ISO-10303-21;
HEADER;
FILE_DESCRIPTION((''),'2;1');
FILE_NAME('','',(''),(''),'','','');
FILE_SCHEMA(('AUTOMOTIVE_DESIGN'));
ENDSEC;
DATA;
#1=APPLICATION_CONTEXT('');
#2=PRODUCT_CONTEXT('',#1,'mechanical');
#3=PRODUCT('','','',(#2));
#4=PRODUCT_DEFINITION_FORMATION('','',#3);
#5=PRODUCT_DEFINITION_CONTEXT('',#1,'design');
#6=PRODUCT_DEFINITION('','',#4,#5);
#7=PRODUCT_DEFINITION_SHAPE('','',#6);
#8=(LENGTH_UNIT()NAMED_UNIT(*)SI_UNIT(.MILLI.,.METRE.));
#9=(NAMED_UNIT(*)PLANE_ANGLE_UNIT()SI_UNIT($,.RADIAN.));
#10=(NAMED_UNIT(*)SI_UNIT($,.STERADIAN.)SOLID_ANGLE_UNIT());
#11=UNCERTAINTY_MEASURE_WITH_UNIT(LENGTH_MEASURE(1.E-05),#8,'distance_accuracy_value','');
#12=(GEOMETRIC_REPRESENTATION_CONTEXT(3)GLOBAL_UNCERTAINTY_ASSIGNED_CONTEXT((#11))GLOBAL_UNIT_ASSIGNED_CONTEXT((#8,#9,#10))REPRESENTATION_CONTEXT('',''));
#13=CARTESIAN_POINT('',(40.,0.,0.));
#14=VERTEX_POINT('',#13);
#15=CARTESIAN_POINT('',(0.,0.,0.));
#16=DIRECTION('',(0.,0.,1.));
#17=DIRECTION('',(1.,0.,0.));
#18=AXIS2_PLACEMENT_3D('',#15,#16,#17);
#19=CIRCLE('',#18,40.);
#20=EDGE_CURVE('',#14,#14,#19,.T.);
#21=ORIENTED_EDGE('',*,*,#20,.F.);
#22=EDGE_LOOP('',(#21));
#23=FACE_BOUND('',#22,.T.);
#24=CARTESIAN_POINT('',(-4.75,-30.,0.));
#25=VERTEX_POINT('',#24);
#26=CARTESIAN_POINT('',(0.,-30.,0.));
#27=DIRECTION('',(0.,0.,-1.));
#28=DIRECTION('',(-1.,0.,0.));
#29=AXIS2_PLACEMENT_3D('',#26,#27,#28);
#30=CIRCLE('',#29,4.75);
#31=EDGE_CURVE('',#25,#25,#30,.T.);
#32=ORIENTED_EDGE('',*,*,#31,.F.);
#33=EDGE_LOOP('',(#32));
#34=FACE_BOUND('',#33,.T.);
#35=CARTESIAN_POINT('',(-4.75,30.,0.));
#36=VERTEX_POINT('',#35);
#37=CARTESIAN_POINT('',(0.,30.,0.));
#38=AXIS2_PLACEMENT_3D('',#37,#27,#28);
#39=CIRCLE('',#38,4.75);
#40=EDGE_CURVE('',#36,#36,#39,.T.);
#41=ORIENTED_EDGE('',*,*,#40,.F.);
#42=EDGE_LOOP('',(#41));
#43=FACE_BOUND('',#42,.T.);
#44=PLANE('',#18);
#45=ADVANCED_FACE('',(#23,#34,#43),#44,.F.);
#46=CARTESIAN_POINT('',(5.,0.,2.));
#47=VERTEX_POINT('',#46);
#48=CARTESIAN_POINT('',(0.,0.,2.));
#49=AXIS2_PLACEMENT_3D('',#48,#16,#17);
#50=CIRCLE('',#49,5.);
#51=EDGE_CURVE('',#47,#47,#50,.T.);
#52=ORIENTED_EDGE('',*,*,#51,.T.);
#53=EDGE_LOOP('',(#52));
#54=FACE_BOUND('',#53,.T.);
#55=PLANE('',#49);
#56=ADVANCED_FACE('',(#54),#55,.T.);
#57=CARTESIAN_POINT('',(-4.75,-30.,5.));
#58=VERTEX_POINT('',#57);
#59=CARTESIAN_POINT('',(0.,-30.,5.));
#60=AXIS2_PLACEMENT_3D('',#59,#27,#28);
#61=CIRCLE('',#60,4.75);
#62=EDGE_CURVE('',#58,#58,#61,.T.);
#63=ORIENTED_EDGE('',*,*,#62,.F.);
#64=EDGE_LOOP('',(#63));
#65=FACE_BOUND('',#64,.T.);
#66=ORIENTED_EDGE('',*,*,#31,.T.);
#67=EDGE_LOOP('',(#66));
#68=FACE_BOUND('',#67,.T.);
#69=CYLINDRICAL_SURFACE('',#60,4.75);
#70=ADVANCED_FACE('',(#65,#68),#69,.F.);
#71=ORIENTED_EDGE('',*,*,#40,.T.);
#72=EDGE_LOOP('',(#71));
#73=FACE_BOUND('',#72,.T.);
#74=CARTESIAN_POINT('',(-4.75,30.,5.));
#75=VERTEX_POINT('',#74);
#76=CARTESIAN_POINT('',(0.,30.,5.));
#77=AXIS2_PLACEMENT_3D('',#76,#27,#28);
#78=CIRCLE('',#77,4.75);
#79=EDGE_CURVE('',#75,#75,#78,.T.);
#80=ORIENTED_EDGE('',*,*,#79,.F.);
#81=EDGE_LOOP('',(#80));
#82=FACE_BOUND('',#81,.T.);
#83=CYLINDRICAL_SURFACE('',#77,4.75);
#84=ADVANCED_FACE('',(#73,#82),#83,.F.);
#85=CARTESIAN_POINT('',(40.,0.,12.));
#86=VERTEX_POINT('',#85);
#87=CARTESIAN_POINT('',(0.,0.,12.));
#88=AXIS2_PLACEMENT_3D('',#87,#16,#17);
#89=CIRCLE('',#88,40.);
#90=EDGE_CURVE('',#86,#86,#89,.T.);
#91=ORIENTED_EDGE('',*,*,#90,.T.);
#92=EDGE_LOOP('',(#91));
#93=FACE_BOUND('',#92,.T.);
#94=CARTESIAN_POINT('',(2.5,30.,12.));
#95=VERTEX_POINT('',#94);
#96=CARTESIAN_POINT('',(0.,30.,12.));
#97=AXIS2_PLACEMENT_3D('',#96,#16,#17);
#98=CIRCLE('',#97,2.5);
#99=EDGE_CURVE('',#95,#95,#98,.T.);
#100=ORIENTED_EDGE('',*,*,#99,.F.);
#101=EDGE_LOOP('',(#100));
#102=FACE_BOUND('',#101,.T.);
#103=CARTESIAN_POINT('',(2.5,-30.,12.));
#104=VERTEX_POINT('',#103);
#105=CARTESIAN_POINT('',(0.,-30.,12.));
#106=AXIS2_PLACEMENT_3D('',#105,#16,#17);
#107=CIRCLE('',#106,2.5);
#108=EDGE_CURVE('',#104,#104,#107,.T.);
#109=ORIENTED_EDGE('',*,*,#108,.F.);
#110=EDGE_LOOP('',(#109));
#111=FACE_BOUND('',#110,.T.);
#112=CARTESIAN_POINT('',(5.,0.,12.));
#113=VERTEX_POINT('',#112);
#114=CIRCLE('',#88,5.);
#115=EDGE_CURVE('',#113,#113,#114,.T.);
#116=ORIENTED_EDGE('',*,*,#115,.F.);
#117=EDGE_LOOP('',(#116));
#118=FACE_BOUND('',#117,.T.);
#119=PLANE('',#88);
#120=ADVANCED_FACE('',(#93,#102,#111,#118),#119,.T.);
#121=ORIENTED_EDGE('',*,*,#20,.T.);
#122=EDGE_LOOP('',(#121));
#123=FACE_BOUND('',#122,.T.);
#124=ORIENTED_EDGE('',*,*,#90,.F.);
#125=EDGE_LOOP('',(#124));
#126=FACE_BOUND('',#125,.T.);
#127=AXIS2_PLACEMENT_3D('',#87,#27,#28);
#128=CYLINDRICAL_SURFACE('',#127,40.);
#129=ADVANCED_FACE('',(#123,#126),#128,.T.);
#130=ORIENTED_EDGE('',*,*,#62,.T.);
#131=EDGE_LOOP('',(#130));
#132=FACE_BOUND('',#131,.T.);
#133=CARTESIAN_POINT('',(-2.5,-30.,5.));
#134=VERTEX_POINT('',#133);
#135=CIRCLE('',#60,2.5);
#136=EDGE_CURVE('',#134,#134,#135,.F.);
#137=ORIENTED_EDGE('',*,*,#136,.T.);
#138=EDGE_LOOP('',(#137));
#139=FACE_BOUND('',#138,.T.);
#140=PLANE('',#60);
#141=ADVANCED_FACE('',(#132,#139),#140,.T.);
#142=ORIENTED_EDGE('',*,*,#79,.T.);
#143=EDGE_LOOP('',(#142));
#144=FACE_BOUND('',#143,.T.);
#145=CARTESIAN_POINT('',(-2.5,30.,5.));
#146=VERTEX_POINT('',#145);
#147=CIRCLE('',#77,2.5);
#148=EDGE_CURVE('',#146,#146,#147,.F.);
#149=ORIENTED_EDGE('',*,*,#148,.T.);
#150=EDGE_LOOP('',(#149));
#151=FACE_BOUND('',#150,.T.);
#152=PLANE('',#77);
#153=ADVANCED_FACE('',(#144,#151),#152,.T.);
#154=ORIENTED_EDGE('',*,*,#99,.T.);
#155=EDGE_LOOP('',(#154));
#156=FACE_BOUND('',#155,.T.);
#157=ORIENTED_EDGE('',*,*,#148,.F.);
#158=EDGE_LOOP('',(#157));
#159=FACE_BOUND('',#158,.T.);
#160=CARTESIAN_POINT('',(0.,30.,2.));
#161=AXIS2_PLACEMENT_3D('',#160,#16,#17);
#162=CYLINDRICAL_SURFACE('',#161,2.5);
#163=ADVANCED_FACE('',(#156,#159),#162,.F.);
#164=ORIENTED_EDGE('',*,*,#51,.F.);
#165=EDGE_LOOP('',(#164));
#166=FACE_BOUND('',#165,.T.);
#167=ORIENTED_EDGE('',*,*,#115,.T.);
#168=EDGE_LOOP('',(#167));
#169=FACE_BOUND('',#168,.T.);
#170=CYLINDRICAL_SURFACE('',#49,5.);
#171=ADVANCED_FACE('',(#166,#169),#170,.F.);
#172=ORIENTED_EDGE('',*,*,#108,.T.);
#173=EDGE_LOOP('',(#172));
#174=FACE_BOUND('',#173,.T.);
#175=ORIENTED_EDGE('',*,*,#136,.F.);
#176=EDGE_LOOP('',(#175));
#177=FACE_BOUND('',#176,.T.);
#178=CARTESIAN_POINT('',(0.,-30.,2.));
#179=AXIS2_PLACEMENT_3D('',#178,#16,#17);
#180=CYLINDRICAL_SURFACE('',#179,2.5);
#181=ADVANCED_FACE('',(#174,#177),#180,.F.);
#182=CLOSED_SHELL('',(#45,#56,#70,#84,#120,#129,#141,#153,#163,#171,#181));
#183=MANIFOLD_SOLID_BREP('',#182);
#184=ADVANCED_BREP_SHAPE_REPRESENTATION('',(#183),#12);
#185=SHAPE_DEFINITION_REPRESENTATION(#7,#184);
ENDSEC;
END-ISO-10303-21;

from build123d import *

# Parameters (mm, degrees)
SKETCH_1_R          = 40
EXTRUDE_1_DEPTH     = 12
SKETCH_2_R          = 5
SKETCH_2_R_2        = 2.5
CUT_EXTRUDE_1_DEPTH = 10
SKETCH_3_R          = 4.75
CUT_EXTRUDE_2_DEPTH = 5


with BuildPart() as part:
    # 草图1 → 凸台-拉伸1 (new body)
    with BuildSketch(Plane.XY):
        Circle(SKETCH_1_R)
    extrude(amount=EXTRUDE_1_DEPTH)

    # 草图2 → 切除-拉伸1 (cut)
    with BuildSketch(Plane.XY.offset(12)):
        Circle(SKETCH_2_R)
        with Locations((0, 30)):
            Circle(SKETCH_2_R_2)
        with Locations((0, -30)):
            Circle(SKETCH_2_R_2)
    extrude(amount=-CUT_EXTRUDE_1_DEPTH, mode=Mode.SUBTRACT)

    # 草图3 → 切除-拉伸2 (cut)
    with BuildSketch(Plane(origin=(0, 0, 0), x_dir=(-1, 0, 0), z_dir=(0, 0, -1))):
        with Locations((0, -30)):
            Circle(SKETCH_3_R)
        with Locations((0, 30)):
            Circle(SKETCH_3_R)
    extrude(amount=-CUT_EXTRUDE_2_DEPTH, mode=Mode.SUBTRACT)


solid = part.part
